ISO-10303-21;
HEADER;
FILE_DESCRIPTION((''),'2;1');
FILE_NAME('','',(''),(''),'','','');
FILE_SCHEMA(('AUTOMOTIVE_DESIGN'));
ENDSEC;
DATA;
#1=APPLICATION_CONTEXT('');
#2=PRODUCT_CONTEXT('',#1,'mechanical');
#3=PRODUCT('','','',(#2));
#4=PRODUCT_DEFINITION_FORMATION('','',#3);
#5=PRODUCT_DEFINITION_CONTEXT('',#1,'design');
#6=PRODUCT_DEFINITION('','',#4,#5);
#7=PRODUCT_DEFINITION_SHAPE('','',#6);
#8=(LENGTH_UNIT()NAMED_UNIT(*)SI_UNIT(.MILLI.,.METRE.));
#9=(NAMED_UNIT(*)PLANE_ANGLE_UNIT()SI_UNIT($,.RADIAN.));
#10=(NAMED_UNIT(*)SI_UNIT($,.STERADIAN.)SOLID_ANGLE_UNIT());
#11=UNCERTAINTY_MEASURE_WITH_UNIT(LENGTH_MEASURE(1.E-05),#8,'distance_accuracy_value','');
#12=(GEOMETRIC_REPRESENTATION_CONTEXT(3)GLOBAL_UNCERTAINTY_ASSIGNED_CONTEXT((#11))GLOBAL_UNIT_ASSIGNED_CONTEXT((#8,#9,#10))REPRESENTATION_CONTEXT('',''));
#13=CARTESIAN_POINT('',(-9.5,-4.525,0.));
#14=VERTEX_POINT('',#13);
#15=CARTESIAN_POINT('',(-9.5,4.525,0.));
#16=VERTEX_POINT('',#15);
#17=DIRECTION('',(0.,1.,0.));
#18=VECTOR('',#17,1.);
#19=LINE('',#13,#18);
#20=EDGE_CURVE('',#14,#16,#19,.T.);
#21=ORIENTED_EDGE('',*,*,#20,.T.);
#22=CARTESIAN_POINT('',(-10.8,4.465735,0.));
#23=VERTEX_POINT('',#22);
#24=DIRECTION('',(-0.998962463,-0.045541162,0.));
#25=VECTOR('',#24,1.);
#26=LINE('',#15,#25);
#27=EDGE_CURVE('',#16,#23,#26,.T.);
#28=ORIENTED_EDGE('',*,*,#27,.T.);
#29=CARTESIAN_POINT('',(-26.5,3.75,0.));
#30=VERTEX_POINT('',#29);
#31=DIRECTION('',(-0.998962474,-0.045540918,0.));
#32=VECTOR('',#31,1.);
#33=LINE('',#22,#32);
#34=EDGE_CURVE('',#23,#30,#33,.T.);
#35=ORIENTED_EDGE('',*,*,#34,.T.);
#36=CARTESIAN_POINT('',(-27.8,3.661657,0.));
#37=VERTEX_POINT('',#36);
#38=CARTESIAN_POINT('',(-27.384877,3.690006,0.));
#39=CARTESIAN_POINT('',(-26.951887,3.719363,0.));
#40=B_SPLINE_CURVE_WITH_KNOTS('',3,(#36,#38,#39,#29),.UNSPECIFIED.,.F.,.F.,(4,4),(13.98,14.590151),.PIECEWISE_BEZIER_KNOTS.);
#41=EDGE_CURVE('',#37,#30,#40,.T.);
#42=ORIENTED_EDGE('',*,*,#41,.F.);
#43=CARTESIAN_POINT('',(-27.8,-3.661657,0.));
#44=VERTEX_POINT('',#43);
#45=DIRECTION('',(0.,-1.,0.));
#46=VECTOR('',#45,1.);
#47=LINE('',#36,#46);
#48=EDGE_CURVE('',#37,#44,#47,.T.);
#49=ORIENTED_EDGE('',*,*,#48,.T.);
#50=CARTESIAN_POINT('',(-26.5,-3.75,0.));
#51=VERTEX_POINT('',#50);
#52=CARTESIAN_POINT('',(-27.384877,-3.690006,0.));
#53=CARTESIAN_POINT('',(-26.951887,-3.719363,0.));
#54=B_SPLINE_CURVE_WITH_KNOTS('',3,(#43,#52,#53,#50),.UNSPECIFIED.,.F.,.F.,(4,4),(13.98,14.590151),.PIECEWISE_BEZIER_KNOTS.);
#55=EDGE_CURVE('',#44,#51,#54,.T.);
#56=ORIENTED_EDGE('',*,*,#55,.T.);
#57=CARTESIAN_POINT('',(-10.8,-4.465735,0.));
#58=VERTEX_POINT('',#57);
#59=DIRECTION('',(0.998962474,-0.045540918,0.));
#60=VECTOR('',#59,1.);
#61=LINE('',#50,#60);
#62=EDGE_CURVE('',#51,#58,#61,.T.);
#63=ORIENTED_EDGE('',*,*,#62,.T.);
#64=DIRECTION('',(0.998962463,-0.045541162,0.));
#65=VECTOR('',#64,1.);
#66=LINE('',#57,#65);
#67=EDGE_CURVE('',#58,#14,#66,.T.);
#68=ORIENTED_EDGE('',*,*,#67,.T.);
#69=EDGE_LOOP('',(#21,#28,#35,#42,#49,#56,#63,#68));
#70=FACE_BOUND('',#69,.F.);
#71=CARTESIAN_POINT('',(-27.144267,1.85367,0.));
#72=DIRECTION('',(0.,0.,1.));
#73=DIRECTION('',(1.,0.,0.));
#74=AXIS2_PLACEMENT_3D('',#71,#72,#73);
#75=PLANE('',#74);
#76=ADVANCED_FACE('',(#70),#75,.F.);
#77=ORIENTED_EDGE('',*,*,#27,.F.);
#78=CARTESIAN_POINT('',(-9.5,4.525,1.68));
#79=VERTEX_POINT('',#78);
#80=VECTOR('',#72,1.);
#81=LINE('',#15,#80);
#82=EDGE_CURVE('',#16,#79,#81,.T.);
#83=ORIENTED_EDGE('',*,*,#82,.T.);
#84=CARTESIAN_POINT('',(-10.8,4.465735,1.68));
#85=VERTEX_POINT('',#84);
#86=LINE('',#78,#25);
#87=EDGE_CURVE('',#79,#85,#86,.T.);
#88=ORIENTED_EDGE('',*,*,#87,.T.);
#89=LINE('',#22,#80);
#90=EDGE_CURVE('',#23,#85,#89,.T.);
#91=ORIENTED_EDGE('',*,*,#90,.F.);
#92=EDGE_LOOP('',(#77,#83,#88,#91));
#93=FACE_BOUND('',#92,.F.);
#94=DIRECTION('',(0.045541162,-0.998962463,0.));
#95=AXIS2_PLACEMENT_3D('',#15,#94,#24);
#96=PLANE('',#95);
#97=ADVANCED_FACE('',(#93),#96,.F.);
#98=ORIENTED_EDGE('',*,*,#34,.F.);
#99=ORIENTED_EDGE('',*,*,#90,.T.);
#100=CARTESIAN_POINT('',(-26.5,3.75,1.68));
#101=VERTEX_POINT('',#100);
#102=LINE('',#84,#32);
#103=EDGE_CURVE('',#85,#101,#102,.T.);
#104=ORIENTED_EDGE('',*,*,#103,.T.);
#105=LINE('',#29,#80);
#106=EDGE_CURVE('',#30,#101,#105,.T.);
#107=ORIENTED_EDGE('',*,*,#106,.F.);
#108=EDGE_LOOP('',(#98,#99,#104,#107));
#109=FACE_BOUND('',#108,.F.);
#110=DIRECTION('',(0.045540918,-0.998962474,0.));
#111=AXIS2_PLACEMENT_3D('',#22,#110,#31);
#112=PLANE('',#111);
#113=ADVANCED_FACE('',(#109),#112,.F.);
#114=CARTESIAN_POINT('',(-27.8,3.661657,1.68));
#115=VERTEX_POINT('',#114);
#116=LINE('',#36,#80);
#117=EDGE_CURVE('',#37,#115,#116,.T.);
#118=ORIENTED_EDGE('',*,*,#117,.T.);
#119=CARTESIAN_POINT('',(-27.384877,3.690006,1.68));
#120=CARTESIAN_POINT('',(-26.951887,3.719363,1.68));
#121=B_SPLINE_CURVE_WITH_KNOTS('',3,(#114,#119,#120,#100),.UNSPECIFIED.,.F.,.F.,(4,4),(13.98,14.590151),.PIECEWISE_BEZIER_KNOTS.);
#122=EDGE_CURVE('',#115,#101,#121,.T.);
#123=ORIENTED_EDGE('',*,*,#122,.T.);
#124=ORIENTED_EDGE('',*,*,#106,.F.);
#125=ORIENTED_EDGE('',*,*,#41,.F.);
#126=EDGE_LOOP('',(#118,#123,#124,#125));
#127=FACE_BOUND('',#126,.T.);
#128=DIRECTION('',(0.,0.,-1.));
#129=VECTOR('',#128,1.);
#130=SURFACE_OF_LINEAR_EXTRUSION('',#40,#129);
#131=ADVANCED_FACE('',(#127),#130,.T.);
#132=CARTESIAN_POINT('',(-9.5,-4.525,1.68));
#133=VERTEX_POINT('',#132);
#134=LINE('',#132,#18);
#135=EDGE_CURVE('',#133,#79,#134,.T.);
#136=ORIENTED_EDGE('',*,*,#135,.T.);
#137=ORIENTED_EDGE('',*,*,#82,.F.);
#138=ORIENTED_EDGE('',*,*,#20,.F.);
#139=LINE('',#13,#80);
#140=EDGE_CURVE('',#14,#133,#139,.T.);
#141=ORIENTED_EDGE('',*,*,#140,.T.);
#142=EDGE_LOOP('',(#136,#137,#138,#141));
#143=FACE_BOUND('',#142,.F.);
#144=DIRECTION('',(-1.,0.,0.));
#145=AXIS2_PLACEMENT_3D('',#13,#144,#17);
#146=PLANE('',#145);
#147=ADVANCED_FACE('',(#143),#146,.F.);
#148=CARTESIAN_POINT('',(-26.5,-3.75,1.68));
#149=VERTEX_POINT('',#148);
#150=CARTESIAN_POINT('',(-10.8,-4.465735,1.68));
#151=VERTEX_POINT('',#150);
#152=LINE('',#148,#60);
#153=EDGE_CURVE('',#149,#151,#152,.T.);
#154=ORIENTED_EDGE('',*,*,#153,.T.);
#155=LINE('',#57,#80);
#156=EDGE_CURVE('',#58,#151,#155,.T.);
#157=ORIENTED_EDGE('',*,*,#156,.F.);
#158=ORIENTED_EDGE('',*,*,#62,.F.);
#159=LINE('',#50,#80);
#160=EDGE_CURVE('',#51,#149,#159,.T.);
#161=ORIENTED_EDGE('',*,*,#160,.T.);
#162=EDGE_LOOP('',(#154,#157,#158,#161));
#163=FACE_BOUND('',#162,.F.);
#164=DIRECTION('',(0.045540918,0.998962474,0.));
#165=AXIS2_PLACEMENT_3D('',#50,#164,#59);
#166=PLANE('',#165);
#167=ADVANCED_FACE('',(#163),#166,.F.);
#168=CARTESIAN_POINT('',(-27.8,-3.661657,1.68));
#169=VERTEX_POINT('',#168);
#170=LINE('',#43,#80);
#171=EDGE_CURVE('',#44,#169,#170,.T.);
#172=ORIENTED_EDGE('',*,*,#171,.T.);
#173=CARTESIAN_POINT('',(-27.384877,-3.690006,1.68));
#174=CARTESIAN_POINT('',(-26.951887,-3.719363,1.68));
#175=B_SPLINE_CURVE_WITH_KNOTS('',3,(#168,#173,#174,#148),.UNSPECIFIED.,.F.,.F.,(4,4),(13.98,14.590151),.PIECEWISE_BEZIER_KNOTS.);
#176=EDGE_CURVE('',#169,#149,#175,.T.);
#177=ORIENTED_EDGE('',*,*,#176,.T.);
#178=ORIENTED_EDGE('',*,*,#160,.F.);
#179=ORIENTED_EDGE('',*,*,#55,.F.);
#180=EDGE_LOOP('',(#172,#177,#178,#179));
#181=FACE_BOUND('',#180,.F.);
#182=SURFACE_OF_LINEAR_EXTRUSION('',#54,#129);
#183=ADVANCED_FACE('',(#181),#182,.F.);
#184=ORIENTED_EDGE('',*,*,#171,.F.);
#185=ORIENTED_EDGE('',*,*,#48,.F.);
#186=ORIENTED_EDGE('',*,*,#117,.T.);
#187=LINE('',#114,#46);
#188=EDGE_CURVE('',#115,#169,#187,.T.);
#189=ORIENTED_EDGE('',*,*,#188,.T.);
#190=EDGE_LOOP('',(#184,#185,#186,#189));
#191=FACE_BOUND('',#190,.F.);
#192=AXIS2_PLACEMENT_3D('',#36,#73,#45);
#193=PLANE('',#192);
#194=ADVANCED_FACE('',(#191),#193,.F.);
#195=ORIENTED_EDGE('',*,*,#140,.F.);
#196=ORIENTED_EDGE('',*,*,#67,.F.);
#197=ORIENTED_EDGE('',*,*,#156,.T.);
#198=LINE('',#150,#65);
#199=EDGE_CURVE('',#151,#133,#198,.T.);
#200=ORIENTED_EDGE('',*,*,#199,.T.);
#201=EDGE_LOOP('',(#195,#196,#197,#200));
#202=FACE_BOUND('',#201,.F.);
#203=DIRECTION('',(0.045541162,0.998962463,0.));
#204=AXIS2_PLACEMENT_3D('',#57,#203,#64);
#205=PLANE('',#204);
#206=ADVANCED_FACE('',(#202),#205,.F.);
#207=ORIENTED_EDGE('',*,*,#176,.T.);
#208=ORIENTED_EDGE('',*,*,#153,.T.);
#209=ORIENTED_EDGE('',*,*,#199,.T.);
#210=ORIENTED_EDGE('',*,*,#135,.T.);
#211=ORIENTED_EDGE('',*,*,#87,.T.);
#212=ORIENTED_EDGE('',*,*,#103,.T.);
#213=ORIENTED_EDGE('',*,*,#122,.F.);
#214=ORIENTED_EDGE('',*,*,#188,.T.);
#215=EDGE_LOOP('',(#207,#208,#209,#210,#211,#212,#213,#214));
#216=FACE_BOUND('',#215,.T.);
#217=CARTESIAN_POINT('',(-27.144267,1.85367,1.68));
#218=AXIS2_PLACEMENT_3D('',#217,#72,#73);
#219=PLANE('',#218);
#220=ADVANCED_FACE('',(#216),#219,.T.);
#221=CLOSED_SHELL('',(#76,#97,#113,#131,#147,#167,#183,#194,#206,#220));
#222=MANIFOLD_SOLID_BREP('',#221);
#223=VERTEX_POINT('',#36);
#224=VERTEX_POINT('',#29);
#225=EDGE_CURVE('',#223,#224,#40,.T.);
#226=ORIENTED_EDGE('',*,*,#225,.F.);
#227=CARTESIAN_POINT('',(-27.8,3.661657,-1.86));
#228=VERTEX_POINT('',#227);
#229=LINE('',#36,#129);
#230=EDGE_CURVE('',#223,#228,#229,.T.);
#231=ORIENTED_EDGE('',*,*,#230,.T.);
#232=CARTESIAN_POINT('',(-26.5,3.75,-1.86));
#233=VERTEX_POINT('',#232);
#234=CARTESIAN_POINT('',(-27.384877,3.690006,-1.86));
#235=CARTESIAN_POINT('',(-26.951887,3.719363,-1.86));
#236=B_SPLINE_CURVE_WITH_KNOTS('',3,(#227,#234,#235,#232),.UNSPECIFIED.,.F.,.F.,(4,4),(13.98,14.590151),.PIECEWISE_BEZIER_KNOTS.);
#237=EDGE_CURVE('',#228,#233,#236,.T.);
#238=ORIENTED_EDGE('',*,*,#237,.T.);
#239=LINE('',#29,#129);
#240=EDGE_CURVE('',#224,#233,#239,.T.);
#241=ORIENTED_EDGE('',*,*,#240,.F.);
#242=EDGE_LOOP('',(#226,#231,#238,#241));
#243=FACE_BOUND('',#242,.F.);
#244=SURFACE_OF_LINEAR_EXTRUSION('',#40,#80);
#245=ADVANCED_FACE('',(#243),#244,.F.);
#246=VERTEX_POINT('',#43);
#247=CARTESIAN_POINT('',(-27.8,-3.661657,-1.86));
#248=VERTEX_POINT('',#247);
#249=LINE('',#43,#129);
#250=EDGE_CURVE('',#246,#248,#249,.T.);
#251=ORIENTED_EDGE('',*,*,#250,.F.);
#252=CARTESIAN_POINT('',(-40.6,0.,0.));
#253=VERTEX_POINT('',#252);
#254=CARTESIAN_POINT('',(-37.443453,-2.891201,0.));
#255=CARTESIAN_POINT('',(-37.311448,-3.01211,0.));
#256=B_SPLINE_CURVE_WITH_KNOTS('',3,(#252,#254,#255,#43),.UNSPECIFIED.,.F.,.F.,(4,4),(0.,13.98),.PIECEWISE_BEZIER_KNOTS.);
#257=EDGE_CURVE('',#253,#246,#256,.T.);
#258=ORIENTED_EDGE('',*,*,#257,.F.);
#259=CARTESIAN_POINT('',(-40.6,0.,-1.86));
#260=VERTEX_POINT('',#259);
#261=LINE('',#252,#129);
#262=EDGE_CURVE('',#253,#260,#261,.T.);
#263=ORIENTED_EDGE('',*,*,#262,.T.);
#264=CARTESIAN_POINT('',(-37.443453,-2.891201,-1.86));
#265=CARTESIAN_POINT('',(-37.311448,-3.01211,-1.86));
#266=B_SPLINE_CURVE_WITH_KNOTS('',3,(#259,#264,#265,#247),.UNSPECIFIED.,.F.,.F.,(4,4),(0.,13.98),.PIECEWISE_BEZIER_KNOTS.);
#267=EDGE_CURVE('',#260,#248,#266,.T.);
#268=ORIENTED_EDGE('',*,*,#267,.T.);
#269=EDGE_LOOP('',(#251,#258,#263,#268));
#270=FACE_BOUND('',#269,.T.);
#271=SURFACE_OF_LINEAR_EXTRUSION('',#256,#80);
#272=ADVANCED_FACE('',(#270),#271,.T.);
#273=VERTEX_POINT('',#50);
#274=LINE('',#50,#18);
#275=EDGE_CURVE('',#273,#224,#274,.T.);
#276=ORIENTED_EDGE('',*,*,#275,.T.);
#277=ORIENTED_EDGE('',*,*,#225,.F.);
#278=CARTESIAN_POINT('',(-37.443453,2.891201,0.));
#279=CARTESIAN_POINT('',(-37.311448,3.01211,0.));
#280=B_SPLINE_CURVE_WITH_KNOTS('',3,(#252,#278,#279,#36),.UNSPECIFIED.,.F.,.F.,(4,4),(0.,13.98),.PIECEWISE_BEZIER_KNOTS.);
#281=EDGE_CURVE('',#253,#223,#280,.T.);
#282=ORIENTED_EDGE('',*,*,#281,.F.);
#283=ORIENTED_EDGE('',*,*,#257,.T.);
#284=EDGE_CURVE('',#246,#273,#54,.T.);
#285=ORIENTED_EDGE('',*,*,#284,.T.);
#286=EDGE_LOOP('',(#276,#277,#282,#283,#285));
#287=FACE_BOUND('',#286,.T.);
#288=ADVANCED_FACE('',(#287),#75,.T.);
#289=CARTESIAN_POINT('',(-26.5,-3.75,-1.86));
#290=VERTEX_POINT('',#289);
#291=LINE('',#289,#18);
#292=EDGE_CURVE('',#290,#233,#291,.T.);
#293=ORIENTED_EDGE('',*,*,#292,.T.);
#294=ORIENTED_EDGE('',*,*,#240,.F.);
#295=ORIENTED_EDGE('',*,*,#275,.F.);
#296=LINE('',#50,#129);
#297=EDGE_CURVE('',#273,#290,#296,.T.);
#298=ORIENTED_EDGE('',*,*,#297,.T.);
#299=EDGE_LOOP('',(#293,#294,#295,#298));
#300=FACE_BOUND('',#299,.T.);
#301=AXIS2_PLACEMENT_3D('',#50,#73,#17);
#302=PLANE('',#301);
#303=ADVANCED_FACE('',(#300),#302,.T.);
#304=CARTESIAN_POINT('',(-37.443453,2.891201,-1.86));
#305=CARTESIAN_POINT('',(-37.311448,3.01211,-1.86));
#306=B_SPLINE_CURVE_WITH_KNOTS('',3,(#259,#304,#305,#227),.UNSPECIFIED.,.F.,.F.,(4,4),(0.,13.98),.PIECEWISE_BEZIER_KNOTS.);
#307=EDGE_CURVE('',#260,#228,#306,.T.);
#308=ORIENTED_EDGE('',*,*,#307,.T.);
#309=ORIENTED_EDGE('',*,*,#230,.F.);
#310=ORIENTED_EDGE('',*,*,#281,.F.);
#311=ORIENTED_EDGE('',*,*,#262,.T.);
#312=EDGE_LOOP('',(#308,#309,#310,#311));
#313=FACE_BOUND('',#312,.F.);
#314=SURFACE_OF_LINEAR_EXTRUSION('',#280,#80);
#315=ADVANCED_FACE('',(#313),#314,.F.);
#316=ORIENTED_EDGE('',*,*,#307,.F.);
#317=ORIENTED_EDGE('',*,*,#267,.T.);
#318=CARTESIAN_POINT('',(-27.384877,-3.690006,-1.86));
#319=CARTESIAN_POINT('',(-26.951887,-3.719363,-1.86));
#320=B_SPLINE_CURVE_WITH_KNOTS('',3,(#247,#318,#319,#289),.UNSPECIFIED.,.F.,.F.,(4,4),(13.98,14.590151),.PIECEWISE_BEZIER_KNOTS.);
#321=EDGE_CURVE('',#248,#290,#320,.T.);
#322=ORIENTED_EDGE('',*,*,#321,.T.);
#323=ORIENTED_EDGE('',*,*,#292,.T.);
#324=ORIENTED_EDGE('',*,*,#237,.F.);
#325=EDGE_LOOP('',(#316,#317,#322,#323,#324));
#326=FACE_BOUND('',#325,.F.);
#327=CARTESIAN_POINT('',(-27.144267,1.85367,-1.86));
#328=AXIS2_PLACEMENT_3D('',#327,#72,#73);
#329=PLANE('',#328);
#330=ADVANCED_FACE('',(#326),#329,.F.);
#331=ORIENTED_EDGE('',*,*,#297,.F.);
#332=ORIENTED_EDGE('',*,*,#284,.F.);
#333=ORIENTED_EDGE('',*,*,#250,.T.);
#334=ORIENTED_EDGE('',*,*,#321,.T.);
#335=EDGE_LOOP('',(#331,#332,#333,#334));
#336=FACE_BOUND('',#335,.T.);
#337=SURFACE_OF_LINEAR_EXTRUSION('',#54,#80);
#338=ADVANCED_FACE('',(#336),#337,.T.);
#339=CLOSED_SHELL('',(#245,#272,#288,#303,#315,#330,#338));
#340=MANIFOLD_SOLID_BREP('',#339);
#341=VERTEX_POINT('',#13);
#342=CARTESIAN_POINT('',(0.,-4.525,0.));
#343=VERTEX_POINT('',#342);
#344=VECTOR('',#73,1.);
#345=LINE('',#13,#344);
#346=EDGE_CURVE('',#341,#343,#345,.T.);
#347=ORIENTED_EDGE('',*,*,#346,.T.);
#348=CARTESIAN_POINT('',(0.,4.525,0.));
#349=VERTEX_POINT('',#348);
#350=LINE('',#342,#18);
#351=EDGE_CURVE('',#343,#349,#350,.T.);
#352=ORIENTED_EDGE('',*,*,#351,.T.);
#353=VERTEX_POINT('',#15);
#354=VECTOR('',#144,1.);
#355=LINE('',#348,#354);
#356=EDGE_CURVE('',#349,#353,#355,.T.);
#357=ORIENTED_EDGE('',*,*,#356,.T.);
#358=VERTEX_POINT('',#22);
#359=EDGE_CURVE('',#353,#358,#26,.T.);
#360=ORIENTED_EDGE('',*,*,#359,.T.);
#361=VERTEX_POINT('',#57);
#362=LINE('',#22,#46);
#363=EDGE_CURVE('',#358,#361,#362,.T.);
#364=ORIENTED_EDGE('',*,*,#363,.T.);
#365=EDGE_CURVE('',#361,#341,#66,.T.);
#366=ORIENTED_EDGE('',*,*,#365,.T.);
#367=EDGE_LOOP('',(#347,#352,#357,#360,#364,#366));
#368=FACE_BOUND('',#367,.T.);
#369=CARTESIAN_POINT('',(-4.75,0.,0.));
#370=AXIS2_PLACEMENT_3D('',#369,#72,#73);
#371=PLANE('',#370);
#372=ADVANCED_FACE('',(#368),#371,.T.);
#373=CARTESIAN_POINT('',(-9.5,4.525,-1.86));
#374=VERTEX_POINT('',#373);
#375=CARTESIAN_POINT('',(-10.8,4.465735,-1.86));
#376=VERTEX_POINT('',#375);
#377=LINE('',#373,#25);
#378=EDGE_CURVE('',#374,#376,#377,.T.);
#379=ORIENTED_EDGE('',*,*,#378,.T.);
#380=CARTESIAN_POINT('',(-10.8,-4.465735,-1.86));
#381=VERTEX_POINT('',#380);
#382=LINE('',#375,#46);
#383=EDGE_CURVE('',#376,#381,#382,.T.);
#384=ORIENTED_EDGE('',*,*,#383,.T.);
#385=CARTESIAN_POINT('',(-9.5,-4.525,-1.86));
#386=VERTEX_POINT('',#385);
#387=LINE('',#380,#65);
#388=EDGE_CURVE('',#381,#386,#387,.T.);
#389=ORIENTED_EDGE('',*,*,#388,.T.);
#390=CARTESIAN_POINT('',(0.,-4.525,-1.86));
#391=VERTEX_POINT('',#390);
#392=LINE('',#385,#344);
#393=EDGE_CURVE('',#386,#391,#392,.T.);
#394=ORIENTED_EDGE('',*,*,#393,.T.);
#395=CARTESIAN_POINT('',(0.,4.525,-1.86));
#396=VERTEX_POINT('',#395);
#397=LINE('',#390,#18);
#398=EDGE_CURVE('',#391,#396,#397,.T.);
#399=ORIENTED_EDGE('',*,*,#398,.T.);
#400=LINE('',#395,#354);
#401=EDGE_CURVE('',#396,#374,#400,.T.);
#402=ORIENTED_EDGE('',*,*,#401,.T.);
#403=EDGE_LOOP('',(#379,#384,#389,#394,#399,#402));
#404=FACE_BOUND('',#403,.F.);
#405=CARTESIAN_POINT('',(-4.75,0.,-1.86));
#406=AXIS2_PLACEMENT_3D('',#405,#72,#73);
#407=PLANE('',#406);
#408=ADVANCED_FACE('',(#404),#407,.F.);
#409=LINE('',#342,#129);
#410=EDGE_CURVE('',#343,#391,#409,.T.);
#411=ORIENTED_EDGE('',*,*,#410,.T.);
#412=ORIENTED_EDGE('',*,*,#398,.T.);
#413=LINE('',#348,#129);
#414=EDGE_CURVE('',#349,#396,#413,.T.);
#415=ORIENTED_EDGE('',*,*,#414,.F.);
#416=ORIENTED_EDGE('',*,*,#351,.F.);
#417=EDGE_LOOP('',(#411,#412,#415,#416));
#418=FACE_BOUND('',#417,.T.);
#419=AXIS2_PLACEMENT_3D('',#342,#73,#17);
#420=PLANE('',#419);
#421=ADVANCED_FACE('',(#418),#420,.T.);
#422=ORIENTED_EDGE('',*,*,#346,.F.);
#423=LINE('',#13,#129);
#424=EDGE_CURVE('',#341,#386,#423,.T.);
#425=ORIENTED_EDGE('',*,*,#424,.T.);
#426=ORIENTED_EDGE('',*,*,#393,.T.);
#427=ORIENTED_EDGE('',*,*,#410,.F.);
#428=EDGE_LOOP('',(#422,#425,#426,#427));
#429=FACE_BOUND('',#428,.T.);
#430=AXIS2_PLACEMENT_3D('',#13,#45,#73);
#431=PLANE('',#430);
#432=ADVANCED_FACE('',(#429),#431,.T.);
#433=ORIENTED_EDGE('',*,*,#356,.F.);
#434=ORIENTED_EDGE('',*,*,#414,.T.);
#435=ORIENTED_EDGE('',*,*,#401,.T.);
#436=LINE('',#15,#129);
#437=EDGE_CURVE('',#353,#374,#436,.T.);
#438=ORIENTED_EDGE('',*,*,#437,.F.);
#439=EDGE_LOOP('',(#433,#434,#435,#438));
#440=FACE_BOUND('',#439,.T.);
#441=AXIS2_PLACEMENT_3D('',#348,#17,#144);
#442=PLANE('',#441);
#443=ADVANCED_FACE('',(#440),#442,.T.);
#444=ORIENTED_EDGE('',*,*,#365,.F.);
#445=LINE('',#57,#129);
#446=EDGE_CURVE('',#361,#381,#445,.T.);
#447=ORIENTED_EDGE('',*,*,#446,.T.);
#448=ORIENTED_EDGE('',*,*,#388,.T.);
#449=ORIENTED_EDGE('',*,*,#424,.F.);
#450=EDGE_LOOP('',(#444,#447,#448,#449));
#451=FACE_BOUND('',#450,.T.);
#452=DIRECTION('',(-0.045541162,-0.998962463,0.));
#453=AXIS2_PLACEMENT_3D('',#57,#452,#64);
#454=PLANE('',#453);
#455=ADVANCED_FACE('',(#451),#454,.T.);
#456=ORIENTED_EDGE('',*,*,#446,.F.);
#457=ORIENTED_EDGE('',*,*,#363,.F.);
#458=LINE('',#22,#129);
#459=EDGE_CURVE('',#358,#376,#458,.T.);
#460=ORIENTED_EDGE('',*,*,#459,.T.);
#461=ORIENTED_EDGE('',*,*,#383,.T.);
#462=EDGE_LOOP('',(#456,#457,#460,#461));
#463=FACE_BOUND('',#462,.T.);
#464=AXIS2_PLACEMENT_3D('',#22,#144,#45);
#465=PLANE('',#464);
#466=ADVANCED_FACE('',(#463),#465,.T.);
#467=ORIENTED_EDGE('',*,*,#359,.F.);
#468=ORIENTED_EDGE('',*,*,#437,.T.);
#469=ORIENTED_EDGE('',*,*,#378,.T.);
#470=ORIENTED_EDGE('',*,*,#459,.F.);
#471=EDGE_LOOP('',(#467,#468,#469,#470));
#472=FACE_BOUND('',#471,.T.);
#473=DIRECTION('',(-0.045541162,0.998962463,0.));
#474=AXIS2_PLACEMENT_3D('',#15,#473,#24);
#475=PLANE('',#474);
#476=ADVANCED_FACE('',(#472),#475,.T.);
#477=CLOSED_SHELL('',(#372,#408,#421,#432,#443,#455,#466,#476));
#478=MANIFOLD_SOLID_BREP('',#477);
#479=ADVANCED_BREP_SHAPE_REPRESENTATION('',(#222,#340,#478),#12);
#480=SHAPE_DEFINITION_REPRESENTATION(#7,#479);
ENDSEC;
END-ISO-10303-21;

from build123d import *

# Parameters (mm, degrees)
F1_DEPTH = 1.86
F2_DEPTH = 1.68


with BuildPart() as f1:
    # F0 (on Top) → F1 (new body)
    with BuildSketch(Plane.XY):
        Polygon((-9.5, 4.525), (-9.5, 0), (-9.5, -4.525), (0, -4.525), (0, 0), (0, 4.525), align=None)
        Polygon((-9.5, -4.525), (-9.5, 0), (-10.8, 0), (-10.8, -4.465735), align=None)
        with BuildLine():
            Line((-27.8, 0), (-26.5, 0))
            Line((-26.5, 0), (-26.5, 3.75))
            add(Edge.make_bspline(
                [(-27.8, 3.661657), (-27.384877, 3.690006), (-26.951887, 3.719363), (-26.5, 3.75)],
                knots=[13.98, 13.98, 13.98, 13.98, 14.590151, 14.590151, 14.590151, 14.590151], degree=3))
            Line((-27.8, 3.661657), (-27.8, 0))
        make_face()
        with BuildLine():
            Line((-26.5, -3.75), (-26.5, 0))
            Line((-26.5, 0), (-27.8, 0))
            Line((-27.8, 0), (-27.8, -3.661657))
            add(Edge.make_bspline(
                [(-27.8, -3.661657), (-27.384877, -3.690006), (-26.951887, -3.719363), (-26.5, -3.75)],
                knots=[13.98, 13.98, 13.98, 13.98, 14.590151, 14.590151, 14.590151, 14.590151], degree=3))
        make_face()
        with BuildLine():
            Line((-27.8, -3.661657), (-27.8, 0))
            Line((-27.8, 0), (-40.6, 0))
            add(Edge.make_bspline(
                [(-40.6, 0), (-37.443453, -2.891201), (-37.311448, -3.01211), (-27.8, -3.661657)],
                knots=[0, 0, 0, 0, 13.98, 13.98, 13.98, 13.98], degree=3))
        make_face()
        with BuildLine():
            Line((-40.6, 0), (-27.8, 0))
            Line((-27.8, 0), (-27.8, 3.661657))
            add(Edge.make_bspline(
                [(-40.6, 0), (-37.443453, 2.891201), (-37.311448, 3.01211), (-27.8, 3.661657)],
                knots=[0, 0, 0, 0, 13.98, 13.98, 13.98, 13.98], degree=3))
        make_face()
        Polygon((-10.8, 0), (-9.5, 0), (-9.5, 4.525), (-10.8, 4.465735), align=None)
    extrude(amount=-F1_DEPTH)


with BuildPart() as f2:
    # F0 (on Top) → F2 (new body)
    with BuildSketch(Plane.XY):
        with BuildLine():
            Line((-27.8, 0), (-26.5, 0))
            Line((-26.5, 0), (-26.5, 3.75))
            add(Edge.make_bspline(
                [(-27.8, 3.661657), (-27.384877, 3.690006), (-26.951887, 3.719363), (-26.5, 3.75)],
                knots=[13.98, 13.98, 13.98, 13.98, 14.590151, 14.590151, 14.590151, 14.590151], degree=3))
            Line((-27.8, 3.661657), (-27.8, 0))
        make_face()
        with BuildLine():
            Line((-26.5, -3.75), (-26.5, 0))
            Line((-26.5, 0), (-27.8, 0))
            Line((-27.8, 0), (-27.8, -3.661657))
            add(Edge.make_bspline(
                [(-27.8, -3.661657), (-27.384877, -3.690006), (-26.951887, -3.719363), (-26.5, -3.75)],
                knots=[13.98, 13.98, 13.98, 13.98, 14.590151, 14.590151, 14.590151, 14.590151], degree=3))
        make_face()
        Polygon((-10.8, -4.465735), (-10.8, 0), (-26.5, 0), (-26.5, -3.75), align=None)
        Polygon((-26.5, 0), (-10.8, 0), (-10.8, 4.465735), (-26.5, 3.75), align=None)
        Polygon((-10.8, 0), (-9.5, 0), (-9.5, 4.525), (-10.8, 4.465735), align=None)
        Polygon((-9.5, -4.525), (-9.5, 0), (-10.8, 0), (-10.8, -4.465735), align=None)
    extrude(amount=F2_DEPTH)


solid = Compound([f1.part, f2.part])
